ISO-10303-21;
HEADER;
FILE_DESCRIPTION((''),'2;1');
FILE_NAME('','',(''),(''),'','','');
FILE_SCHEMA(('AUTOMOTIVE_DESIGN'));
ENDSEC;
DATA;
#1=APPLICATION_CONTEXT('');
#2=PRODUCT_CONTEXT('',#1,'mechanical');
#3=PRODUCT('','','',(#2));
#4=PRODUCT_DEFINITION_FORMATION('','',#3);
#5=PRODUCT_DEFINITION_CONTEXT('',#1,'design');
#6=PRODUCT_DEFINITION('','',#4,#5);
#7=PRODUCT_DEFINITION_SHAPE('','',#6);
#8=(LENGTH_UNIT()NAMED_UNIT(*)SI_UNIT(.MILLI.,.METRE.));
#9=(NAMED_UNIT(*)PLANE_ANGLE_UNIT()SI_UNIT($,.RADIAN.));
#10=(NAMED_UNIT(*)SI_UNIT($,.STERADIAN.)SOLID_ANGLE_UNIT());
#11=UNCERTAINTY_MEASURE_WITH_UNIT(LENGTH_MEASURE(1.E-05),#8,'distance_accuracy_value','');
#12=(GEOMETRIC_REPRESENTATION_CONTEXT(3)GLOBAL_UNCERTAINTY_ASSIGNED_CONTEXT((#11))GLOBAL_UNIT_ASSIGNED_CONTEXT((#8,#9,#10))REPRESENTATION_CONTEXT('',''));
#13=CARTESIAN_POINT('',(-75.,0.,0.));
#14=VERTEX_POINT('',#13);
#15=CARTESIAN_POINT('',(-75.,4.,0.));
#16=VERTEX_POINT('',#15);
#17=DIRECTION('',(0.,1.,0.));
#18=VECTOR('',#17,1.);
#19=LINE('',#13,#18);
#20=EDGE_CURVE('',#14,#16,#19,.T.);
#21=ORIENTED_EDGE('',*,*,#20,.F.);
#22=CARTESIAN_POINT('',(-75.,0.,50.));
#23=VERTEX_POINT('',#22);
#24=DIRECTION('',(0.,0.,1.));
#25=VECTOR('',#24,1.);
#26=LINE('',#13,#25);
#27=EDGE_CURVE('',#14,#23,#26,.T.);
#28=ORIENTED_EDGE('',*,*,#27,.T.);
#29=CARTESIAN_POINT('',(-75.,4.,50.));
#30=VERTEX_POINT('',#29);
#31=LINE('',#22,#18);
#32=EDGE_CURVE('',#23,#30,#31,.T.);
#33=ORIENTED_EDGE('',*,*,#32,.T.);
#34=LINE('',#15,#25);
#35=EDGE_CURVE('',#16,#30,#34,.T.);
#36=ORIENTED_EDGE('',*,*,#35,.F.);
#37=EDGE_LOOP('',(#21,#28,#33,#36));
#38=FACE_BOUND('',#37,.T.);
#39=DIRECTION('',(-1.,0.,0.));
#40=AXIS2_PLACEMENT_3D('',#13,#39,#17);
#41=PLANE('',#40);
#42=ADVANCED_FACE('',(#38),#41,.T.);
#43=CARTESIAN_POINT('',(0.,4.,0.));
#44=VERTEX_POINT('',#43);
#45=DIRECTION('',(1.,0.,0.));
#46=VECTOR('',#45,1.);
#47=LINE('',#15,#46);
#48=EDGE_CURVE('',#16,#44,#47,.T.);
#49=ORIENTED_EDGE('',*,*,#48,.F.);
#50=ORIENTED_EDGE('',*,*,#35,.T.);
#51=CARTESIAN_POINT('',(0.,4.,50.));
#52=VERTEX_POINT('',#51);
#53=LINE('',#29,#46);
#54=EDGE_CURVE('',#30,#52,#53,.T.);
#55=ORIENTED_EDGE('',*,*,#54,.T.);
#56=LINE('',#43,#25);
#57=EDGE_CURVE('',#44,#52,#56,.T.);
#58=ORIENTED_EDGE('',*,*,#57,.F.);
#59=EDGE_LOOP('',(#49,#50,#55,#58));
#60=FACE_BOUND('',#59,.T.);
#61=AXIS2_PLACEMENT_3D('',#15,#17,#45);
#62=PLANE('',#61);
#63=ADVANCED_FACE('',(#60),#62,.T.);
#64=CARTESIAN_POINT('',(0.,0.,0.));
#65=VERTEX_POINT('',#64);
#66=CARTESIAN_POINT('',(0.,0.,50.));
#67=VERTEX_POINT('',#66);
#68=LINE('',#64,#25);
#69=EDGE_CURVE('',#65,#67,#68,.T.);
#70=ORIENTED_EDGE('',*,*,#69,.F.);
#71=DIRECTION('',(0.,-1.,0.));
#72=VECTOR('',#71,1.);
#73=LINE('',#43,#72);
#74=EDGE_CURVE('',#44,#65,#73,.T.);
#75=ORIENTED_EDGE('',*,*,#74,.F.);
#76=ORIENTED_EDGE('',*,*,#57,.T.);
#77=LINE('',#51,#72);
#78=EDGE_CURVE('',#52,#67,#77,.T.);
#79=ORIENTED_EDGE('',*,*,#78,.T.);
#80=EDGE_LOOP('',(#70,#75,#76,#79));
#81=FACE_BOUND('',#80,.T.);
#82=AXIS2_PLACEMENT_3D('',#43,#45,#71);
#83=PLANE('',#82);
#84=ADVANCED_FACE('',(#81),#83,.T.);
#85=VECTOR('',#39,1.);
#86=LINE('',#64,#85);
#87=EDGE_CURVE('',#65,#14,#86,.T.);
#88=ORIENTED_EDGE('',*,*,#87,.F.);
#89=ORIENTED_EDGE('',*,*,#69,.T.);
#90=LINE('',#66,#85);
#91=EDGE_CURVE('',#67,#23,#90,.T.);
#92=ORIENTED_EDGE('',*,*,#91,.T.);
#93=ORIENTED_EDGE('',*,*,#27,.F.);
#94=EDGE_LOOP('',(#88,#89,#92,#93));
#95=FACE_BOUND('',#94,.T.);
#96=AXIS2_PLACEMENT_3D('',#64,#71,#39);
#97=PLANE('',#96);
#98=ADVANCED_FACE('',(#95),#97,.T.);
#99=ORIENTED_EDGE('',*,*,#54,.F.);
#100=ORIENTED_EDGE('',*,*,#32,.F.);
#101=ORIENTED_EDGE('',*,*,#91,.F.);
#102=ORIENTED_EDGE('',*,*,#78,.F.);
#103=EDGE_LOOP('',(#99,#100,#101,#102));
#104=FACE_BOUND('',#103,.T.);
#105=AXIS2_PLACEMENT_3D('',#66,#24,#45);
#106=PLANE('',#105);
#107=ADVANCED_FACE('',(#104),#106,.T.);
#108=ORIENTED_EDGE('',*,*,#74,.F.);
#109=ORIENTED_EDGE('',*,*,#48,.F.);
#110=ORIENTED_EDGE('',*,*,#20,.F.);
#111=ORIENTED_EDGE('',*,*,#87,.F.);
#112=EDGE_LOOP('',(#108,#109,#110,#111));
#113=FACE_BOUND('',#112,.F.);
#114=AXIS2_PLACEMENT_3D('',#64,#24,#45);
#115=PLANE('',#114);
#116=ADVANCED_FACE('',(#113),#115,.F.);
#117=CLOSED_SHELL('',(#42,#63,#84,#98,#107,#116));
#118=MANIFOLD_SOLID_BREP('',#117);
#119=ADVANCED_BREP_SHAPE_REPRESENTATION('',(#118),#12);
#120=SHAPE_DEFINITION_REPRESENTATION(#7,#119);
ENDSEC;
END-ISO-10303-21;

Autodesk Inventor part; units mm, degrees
ref_plane "YZ Plane" through (0, 0, 0) normal (1, 0, 0) x (0, 1, 0)
ref_plane "XZ Plane" through (0, 0, 0) normal (0, 1, 0) x (-1, 0, 0)
ref_plane "XY Plane" through (0, 0, 0) normal (0, 0, 1) x (1, 0, 0)
sketch "Sketch1" plane through (0, 0, 0) normal (0, 0, 1) x (1, 0, 0)
  line L0 (0, 0) -> (-75, 0)
  line L1 (0, 0) -> (75, 0) construction
  line L2 (-75, 0) -> (-75, 4)
  line L3 (-75, 4) -> (0, 4)
  line L4 (0, 4) -> (0, 0)
  dimension "d0" = 75
  dimension "d1" = 180
  dimension "d2" = 4
extrude "Extrusion1" add sketch "Sketch1" along normal blind 50
properties part number "AFSLUITSCHIJF"
